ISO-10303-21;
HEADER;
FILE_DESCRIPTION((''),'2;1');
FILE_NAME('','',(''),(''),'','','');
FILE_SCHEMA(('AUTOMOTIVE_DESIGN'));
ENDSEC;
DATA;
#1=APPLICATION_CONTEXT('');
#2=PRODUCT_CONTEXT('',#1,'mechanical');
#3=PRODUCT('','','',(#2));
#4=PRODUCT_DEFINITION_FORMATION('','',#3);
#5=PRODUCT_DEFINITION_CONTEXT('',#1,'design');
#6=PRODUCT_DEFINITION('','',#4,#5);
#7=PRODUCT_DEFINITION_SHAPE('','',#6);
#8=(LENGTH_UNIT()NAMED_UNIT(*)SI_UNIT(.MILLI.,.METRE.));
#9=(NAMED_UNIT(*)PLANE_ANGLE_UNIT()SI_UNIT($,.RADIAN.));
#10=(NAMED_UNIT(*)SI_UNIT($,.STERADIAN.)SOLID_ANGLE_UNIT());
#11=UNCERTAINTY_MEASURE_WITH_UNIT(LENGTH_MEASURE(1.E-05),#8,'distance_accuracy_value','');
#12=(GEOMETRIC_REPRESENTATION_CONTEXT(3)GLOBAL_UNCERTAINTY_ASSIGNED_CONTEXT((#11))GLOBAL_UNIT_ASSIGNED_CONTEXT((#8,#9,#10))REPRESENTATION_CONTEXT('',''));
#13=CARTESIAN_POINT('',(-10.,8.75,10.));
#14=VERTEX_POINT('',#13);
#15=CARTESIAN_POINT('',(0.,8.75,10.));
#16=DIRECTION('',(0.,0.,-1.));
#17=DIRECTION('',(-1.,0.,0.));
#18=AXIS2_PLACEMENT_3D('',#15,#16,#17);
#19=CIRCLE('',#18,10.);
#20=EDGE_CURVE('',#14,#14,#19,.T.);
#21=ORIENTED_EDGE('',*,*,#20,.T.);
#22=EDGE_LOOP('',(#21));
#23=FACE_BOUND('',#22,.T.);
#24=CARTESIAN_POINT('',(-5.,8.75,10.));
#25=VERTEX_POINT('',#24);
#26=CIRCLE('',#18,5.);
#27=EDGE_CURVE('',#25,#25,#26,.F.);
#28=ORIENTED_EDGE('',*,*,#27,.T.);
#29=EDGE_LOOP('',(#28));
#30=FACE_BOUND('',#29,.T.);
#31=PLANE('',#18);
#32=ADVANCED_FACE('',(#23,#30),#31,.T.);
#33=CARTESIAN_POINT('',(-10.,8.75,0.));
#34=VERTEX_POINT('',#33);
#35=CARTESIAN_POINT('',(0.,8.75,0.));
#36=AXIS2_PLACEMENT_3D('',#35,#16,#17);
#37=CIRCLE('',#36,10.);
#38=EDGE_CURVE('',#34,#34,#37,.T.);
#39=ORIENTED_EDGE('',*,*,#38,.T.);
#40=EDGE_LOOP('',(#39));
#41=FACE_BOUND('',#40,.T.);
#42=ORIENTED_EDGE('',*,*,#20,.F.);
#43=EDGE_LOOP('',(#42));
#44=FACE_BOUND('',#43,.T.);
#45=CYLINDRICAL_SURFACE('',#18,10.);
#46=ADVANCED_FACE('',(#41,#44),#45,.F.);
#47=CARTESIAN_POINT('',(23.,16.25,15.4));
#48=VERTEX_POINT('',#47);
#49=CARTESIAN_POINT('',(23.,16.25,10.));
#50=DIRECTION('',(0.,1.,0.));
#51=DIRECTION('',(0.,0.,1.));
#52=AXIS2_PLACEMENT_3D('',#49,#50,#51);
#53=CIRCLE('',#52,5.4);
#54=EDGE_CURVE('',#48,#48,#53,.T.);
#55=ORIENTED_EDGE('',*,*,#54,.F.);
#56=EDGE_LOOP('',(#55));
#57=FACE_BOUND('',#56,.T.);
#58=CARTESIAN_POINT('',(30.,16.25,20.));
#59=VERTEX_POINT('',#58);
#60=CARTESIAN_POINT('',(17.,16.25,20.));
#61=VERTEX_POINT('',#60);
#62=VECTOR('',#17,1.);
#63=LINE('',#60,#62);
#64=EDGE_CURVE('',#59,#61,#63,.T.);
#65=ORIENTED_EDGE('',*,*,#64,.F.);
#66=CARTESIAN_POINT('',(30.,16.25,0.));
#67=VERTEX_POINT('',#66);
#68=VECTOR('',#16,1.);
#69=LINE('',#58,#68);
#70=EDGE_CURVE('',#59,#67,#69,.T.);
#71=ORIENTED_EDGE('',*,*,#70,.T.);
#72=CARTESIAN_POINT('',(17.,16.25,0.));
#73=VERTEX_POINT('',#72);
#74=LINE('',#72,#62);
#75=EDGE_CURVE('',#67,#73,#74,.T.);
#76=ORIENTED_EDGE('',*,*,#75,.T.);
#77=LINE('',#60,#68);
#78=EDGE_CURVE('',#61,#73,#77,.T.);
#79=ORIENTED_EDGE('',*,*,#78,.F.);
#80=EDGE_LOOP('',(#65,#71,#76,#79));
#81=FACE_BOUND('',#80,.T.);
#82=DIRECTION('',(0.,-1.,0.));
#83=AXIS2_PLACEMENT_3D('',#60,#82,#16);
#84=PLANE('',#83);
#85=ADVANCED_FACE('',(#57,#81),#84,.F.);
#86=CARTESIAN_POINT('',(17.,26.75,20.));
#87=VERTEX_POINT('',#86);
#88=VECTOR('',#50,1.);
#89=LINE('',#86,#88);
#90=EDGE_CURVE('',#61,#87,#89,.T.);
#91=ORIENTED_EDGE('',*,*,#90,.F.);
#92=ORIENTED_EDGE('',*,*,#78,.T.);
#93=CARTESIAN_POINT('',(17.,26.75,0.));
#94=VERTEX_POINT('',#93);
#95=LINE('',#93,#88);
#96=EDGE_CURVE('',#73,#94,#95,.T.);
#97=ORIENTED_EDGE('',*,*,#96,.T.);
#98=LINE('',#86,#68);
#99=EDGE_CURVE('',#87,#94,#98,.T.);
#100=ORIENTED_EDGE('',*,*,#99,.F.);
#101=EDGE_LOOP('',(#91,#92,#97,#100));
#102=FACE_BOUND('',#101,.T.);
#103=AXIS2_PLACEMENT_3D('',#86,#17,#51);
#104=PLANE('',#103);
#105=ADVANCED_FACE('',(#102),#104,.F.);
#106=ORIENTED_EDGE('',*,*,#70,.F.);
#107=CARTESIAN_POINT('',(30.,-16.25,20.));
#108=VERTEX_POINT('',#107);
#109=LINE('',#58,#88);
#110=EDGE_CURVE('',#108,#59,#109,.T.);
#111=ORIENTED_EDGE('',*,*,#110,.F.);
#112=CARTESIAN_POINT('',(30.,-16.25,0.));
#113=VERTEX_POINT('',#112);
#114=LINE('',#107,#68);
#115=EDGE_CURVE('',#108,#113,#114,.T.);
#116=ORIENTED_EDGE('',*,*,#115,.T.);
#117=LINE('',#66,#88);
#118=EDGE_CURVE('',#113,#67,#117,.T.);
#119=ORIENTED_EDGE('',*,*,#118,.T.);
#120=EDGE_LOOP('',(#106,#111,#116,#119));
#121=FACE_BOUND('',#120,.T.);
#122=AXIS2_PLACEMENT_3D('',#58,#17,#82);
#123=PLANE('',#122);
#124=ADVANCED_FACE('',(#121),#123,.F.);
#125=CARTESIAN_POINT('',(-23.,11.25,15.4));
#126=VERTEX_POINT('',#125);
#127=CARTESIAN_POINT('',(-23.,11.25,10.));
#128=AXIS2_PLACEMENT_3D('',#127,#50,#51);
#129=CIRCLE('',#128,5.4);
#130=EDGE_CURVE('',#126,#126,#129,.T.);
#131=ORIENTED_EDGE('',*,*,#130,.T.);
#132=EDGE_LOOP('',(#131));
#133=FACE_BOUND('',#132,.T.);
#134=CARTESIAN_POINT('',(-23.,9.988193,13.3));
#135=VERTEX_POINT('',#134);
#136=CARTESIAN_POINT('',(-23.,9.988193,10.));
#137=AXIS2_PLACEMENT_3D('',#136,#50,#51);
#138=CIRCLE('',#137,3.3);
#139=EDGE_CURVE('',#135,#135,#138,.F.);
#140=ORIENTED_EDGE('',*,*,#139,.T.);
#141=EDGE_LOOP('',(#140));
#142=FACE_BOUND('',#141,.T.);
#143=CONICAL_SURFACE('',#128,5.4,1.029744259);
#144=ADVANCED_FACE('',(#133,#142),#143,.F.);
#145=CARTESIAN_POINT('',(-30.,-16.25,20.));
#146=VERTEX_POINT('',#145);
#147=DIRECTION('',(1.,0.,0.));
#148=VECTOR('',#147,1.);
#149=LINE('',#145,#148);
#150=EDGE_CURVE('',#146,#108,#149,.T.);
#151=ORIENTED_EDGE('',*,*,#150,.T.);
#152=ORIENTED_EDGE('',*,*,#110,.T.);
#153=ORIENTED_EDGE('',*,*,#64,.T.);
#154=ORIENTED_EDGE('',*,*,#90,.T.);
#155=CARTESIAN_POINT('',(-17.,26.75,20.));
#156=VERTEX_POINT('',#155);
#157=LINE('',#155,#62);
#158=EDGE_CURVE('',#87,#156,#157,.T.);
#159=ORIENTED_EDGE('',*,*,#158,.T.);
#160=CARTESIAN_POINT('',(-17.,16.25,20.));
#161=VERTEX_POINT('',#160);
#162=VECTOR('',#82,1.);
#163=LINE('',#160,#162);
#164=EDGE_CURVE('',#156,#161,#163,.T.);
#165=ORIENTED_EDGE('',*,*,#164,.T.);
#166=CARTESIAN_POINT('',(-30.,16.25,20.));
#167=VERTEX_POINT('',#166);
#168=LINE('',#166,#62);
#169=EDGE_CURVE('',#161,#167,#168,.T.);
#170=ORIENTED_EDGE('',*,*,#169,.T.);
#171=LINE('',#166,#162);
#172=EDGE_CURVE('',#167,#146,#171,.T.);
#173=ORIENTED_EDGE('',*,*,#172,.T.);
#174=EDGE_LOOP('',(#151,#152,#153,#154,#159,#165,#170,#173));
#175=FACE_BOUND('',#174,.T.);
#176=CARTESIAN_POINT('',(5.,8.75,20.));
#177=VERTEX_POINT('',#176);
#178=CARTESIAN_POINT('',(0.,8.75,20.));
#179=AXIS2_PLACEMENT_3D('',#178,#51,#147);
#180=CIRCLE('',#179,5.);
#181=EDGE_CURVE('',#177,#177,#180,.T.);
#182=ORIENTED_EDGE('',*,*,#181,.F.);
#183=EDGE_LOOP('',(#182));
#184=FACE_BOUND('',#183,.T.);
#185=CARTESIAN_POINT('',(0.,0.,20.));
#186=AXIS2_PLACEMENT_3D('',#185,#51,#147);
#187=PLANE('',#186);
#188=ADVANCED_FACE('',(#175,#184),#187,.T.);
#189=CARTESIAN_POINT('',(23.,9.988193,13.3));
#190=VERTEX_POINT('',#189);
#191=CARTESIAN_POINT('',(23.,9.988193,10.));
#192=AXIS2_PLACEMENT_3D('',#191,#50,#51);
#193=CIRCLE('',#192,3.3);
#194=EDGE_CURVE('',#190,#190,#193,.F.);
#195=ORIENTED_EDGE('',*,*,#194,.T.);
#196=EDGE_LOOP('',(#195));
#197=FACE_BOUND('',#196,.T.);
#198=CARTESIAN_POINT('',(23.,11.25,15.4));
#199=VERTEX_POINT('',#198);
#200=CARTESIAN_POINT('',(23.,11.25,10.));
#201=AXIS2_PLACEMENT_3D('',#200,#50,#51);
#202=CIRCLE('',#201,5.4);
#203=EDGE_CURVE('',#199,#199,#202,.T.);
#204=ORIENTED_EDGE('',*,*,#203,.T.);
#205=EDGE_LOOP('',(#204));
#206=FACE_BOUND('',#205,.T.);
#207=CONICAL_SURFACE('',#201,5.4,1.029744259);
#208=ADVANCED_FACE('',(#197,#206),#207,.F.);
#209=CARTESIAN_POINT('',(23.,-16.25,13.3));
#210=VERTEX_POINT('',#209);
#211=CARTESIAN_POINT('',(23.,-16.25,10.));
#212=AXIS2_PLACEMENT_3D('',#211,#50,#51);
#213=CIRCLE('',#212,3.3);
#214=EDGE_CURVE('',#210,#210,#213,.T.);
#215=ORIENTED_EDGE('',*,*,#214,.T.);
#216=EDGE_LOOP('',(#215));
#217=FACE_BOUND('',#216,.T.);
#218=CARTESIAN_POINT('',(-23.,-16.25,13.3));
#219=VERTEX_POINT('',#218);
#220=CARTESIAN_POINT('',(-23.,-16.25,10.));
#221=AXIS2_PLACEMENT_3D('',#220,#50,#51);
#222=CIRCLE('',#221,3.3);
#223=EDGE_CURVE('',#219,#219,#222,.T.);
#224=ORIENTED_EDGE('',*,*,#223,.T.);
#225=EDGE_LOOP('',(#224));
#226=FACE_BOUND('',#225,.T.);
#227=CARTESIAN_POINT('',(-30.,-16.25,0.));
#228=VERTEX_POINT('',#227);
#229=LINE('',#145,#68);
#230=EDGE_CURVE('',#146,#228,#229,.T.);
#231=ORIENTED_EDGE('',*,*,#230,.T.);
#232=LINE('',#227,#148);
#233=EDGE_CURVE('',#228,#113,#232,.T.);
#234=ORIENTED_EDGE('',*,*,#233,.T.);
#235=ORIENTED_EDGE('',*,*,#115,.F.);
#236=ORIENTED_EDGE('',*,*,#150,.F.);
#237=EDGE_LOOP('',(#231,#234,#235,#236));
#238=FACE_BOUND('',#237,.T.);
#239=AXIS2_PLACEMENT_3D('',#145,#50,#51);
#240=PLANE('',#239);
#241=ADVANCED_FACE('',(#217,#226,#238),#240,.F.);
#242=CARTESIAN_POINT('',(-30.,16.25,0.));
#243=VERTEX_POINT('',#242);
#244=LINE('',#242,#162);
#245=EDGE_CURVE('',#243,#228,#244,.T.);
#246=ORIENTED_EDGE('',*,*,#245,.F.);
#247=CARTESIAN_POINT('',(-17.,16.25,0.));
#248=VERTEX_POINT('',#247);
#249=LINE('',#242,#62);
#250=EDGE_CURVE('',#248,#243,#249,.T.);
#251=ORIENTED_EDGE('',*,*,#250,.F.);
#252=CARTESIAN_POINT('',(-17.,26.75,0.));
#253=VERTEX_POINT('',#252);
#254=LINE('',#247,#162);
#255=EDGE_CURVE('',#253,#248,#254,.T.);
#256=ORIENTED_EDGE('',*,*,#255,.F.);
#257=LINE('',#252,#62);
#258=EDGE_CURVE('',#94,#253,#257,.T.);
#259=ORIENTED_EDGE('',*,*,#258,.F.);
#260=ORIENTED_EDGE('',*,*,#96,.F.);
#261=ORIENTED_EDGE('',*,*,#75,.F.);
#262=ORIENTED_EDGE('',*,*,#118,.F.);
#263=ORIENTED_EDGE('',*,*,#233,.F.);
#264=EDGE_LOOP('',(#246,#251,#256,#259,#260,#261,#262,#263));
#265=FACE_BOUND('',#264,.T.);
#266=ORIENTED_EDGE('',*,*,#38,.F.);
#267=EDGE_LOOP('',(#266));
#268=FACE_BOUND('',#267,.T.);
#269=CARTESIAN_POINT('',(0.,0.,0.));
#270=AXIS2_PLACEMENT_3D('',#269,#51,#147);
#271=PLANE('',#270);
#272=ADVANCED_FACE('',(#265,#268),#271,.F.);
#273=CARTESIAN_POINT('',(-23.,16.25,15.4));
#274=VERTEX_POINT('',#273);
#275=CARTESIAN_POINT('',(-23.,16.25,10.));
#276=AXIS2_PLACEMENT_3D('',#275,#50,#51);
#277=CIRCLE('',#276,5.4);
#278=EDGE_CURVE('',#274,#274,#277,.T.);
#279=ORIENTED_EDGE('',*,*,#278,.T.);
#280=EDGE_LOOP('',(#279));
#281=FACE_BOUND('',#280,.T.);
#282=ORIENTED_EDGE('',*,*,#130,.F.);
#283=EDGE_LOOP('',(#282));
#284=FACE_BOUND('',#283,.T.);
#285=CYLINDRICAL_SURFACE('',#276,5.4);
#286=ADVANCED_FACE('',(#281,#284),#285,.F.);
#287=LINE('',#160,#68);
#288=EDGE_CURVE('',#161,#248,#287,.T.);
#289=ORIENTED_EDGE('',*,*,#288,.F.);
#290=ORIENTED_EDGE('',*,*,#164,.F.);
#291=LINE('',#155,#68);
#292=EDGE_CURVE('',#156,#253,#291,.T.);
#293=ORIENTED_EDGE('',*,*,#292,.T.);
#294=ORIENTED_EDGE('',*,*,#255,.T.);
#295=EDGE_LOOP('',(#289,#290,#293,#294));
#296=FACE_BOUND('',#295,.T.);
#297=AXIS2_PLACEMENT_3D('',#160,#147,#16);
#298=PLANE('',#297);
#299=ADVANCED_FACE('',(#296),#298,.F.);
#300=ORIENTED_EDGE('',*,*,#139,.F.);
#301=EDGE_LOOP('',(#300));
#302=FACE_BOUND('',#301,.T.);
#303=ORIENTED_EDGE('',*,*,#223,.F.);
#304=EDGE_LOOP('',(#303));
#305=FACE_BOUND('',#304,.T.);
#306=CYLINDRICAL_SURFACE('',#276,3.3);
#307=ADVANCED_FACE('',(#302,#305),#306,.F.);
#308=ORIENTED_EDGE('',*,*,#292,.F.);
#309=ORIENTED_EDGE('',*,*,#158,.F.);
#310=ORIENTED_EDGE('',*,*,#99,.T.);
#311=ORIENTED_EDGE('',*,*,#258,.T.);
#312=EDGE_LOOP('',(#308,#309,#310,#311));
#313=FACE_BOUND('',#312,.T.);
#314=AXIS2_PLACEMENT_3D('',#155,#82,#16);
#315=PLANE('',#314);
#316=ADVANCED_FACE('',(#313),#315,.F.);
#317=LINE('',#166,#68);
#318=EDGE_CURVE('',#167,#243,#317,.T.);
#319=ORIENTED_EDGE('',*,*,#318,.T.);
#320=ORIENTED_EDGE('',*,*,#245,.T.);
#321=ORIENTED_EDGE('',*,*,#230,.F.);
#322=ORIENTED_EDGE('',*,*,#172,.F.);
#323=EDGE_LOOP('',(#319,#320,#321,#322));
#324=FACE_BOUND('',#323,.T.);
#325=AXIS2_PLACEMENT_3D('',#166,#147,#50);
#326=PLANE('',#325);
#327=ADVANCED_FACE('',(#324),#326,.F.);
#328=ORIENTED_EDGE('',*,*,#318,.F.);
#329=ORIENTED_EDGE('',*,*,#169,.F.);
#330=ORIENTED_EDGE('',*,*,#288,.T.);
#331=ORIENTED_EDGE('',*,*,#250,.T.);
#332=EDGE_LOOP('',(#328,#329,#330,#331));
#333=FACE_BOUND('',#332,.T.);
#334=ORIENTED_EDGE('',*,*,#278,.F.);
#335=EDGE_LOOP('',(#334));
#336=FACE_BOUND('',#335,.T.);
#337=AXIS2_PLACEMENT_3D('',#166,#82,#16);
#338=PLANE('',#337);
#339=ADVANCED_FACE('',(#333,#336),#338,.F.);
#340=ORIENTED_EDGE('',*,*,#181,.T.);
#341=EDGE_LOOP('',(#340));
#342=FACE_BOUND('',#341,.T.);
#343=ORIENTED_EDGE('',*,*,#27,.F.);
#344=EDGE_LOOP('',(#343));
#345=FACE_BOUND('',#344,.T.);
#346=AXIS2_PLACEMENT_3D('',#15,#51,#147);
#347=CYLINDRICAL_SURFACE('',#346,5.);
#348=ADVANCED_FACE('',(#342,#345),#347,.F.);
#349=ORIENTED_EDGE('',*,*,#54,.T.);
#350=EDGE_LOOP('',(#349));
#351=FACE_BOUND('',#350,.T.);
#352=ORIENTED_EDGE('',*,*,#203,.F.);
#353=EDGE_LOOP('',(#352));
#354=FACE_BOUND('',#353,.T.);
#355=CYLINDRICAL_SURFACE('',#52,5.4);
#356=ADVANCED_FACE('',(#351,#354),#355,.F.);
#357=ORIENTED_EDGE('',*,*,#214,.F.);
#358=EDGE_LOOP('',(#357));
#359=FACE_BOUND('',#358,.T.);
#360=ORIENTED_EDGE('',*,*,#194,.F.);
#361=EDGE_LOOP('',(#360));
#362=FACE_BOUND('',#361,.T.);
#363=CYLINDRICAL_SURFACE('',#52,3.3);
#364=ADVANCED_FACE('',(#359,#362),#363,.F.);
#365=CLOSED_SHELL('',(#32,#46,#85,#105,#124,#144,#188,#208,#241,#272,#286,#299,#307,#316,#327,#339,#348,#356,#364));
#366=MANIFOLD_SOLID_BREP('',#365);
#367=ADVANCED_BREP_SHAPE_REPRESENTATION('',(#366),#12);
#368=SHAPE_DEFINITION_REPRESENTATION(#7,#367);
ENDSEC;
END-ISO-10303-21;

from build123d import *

# Parameters (mm, degrees)
BOSS_EXTRUDE1_DEPTH              = 20
SKETCH2_R                        = 5
CUT_EXTRUDE1_DEPTH               = 10
SKETCH3_R                        = 10
CUT_EXTRUDE2_DEPTH               = 10
F_10_8_10_8_DIAMETER_HOLE1_D     = 10.8
F_10_8_10_8_DIAMETER_HOLE1_DEPTH = 5
F_10_8_10_8_DIAMETER_HOLE1_TIP   = 3.244647343
F_6_6_6_6_DIAMETER_HOLE1_D       = 6.6


with BuildPart() as part:
    # Sketch1 → Boss-Extrude1 (new body)
    with BuildSketch(Plane.XY):
        Polygon((-17, 16.25), (-17, 26.75), (17, 26.75), (17, 16.25), (30, 16.25), (30, -16.25), (-30, -16.25), (-30, 16.25), align=None)
    extrude(amount=BOSS_EXTRUDE1_DEPTH)

    # Sketch2 → Cut-Extrude1 (cut)
    with BuildSketch(Plane.XY.offset(20)):
        with Locations((0, 8.75)):
            Circle(SKETCH2_R)
    extrude(amount=-CUT_EXTRUDE1_DEPTH, mode=Mode.SUBTRACT)

    # Sketch3 → Cut-Extrude2 (cut)
    with BuildSketch(Plane(origin=(0, 0, 0), x_dir=(-1, 0, 0), z_dir=(0, 0, -1))):
        with Locations((0, 8.75)):
            Circle(SKETCH3_R)
    extrude(amount=-CUT_EXTRUDE2_DEPTH, mode=Mode.SUBTRACT)

    # Ø10.8 (10.8) Diameter Hole1
    with Locations(Plane(origin=(0, 16.25, 0), x_dir=(1, 0, 0), z_dir=(0, 1, 0))):
        with Locations((-23, -10), (23, -10)):
            Hole(F_10_8_10_8_DIAMETER_HOLE1_D / 2, depth=F_10_8_10_8_DIAMETER_HOLE1_DEPTH)
            with Locations((0, 0, -(F_10_8_10_8_DIAMETER_HOLE1_DEPTH + F_10_8_10_8_DIAMETER_HOLE1_TIP / 2))):  # 118° drill point
                Cone(0, F_10_8_10_8_DIAMETER_HOLE1_D / 2, F_10_8_10_8_DIAMETER_HOLE1_TIP, mode=Mode.SUBTRACT)

    # Ø6.6 (6.6) Diameter Hole1 (through all)
    with Locations(Plane(origin=(0, 16.25, 0), x_dir=(1, 0, 0), z_dir=(0, 1, 0))):
        with Locations((-23, -10), (23, -10)):
            Hole(F_6_6_6_6_DIAMETER_HOLE1_D / 2)


solid = part.part
